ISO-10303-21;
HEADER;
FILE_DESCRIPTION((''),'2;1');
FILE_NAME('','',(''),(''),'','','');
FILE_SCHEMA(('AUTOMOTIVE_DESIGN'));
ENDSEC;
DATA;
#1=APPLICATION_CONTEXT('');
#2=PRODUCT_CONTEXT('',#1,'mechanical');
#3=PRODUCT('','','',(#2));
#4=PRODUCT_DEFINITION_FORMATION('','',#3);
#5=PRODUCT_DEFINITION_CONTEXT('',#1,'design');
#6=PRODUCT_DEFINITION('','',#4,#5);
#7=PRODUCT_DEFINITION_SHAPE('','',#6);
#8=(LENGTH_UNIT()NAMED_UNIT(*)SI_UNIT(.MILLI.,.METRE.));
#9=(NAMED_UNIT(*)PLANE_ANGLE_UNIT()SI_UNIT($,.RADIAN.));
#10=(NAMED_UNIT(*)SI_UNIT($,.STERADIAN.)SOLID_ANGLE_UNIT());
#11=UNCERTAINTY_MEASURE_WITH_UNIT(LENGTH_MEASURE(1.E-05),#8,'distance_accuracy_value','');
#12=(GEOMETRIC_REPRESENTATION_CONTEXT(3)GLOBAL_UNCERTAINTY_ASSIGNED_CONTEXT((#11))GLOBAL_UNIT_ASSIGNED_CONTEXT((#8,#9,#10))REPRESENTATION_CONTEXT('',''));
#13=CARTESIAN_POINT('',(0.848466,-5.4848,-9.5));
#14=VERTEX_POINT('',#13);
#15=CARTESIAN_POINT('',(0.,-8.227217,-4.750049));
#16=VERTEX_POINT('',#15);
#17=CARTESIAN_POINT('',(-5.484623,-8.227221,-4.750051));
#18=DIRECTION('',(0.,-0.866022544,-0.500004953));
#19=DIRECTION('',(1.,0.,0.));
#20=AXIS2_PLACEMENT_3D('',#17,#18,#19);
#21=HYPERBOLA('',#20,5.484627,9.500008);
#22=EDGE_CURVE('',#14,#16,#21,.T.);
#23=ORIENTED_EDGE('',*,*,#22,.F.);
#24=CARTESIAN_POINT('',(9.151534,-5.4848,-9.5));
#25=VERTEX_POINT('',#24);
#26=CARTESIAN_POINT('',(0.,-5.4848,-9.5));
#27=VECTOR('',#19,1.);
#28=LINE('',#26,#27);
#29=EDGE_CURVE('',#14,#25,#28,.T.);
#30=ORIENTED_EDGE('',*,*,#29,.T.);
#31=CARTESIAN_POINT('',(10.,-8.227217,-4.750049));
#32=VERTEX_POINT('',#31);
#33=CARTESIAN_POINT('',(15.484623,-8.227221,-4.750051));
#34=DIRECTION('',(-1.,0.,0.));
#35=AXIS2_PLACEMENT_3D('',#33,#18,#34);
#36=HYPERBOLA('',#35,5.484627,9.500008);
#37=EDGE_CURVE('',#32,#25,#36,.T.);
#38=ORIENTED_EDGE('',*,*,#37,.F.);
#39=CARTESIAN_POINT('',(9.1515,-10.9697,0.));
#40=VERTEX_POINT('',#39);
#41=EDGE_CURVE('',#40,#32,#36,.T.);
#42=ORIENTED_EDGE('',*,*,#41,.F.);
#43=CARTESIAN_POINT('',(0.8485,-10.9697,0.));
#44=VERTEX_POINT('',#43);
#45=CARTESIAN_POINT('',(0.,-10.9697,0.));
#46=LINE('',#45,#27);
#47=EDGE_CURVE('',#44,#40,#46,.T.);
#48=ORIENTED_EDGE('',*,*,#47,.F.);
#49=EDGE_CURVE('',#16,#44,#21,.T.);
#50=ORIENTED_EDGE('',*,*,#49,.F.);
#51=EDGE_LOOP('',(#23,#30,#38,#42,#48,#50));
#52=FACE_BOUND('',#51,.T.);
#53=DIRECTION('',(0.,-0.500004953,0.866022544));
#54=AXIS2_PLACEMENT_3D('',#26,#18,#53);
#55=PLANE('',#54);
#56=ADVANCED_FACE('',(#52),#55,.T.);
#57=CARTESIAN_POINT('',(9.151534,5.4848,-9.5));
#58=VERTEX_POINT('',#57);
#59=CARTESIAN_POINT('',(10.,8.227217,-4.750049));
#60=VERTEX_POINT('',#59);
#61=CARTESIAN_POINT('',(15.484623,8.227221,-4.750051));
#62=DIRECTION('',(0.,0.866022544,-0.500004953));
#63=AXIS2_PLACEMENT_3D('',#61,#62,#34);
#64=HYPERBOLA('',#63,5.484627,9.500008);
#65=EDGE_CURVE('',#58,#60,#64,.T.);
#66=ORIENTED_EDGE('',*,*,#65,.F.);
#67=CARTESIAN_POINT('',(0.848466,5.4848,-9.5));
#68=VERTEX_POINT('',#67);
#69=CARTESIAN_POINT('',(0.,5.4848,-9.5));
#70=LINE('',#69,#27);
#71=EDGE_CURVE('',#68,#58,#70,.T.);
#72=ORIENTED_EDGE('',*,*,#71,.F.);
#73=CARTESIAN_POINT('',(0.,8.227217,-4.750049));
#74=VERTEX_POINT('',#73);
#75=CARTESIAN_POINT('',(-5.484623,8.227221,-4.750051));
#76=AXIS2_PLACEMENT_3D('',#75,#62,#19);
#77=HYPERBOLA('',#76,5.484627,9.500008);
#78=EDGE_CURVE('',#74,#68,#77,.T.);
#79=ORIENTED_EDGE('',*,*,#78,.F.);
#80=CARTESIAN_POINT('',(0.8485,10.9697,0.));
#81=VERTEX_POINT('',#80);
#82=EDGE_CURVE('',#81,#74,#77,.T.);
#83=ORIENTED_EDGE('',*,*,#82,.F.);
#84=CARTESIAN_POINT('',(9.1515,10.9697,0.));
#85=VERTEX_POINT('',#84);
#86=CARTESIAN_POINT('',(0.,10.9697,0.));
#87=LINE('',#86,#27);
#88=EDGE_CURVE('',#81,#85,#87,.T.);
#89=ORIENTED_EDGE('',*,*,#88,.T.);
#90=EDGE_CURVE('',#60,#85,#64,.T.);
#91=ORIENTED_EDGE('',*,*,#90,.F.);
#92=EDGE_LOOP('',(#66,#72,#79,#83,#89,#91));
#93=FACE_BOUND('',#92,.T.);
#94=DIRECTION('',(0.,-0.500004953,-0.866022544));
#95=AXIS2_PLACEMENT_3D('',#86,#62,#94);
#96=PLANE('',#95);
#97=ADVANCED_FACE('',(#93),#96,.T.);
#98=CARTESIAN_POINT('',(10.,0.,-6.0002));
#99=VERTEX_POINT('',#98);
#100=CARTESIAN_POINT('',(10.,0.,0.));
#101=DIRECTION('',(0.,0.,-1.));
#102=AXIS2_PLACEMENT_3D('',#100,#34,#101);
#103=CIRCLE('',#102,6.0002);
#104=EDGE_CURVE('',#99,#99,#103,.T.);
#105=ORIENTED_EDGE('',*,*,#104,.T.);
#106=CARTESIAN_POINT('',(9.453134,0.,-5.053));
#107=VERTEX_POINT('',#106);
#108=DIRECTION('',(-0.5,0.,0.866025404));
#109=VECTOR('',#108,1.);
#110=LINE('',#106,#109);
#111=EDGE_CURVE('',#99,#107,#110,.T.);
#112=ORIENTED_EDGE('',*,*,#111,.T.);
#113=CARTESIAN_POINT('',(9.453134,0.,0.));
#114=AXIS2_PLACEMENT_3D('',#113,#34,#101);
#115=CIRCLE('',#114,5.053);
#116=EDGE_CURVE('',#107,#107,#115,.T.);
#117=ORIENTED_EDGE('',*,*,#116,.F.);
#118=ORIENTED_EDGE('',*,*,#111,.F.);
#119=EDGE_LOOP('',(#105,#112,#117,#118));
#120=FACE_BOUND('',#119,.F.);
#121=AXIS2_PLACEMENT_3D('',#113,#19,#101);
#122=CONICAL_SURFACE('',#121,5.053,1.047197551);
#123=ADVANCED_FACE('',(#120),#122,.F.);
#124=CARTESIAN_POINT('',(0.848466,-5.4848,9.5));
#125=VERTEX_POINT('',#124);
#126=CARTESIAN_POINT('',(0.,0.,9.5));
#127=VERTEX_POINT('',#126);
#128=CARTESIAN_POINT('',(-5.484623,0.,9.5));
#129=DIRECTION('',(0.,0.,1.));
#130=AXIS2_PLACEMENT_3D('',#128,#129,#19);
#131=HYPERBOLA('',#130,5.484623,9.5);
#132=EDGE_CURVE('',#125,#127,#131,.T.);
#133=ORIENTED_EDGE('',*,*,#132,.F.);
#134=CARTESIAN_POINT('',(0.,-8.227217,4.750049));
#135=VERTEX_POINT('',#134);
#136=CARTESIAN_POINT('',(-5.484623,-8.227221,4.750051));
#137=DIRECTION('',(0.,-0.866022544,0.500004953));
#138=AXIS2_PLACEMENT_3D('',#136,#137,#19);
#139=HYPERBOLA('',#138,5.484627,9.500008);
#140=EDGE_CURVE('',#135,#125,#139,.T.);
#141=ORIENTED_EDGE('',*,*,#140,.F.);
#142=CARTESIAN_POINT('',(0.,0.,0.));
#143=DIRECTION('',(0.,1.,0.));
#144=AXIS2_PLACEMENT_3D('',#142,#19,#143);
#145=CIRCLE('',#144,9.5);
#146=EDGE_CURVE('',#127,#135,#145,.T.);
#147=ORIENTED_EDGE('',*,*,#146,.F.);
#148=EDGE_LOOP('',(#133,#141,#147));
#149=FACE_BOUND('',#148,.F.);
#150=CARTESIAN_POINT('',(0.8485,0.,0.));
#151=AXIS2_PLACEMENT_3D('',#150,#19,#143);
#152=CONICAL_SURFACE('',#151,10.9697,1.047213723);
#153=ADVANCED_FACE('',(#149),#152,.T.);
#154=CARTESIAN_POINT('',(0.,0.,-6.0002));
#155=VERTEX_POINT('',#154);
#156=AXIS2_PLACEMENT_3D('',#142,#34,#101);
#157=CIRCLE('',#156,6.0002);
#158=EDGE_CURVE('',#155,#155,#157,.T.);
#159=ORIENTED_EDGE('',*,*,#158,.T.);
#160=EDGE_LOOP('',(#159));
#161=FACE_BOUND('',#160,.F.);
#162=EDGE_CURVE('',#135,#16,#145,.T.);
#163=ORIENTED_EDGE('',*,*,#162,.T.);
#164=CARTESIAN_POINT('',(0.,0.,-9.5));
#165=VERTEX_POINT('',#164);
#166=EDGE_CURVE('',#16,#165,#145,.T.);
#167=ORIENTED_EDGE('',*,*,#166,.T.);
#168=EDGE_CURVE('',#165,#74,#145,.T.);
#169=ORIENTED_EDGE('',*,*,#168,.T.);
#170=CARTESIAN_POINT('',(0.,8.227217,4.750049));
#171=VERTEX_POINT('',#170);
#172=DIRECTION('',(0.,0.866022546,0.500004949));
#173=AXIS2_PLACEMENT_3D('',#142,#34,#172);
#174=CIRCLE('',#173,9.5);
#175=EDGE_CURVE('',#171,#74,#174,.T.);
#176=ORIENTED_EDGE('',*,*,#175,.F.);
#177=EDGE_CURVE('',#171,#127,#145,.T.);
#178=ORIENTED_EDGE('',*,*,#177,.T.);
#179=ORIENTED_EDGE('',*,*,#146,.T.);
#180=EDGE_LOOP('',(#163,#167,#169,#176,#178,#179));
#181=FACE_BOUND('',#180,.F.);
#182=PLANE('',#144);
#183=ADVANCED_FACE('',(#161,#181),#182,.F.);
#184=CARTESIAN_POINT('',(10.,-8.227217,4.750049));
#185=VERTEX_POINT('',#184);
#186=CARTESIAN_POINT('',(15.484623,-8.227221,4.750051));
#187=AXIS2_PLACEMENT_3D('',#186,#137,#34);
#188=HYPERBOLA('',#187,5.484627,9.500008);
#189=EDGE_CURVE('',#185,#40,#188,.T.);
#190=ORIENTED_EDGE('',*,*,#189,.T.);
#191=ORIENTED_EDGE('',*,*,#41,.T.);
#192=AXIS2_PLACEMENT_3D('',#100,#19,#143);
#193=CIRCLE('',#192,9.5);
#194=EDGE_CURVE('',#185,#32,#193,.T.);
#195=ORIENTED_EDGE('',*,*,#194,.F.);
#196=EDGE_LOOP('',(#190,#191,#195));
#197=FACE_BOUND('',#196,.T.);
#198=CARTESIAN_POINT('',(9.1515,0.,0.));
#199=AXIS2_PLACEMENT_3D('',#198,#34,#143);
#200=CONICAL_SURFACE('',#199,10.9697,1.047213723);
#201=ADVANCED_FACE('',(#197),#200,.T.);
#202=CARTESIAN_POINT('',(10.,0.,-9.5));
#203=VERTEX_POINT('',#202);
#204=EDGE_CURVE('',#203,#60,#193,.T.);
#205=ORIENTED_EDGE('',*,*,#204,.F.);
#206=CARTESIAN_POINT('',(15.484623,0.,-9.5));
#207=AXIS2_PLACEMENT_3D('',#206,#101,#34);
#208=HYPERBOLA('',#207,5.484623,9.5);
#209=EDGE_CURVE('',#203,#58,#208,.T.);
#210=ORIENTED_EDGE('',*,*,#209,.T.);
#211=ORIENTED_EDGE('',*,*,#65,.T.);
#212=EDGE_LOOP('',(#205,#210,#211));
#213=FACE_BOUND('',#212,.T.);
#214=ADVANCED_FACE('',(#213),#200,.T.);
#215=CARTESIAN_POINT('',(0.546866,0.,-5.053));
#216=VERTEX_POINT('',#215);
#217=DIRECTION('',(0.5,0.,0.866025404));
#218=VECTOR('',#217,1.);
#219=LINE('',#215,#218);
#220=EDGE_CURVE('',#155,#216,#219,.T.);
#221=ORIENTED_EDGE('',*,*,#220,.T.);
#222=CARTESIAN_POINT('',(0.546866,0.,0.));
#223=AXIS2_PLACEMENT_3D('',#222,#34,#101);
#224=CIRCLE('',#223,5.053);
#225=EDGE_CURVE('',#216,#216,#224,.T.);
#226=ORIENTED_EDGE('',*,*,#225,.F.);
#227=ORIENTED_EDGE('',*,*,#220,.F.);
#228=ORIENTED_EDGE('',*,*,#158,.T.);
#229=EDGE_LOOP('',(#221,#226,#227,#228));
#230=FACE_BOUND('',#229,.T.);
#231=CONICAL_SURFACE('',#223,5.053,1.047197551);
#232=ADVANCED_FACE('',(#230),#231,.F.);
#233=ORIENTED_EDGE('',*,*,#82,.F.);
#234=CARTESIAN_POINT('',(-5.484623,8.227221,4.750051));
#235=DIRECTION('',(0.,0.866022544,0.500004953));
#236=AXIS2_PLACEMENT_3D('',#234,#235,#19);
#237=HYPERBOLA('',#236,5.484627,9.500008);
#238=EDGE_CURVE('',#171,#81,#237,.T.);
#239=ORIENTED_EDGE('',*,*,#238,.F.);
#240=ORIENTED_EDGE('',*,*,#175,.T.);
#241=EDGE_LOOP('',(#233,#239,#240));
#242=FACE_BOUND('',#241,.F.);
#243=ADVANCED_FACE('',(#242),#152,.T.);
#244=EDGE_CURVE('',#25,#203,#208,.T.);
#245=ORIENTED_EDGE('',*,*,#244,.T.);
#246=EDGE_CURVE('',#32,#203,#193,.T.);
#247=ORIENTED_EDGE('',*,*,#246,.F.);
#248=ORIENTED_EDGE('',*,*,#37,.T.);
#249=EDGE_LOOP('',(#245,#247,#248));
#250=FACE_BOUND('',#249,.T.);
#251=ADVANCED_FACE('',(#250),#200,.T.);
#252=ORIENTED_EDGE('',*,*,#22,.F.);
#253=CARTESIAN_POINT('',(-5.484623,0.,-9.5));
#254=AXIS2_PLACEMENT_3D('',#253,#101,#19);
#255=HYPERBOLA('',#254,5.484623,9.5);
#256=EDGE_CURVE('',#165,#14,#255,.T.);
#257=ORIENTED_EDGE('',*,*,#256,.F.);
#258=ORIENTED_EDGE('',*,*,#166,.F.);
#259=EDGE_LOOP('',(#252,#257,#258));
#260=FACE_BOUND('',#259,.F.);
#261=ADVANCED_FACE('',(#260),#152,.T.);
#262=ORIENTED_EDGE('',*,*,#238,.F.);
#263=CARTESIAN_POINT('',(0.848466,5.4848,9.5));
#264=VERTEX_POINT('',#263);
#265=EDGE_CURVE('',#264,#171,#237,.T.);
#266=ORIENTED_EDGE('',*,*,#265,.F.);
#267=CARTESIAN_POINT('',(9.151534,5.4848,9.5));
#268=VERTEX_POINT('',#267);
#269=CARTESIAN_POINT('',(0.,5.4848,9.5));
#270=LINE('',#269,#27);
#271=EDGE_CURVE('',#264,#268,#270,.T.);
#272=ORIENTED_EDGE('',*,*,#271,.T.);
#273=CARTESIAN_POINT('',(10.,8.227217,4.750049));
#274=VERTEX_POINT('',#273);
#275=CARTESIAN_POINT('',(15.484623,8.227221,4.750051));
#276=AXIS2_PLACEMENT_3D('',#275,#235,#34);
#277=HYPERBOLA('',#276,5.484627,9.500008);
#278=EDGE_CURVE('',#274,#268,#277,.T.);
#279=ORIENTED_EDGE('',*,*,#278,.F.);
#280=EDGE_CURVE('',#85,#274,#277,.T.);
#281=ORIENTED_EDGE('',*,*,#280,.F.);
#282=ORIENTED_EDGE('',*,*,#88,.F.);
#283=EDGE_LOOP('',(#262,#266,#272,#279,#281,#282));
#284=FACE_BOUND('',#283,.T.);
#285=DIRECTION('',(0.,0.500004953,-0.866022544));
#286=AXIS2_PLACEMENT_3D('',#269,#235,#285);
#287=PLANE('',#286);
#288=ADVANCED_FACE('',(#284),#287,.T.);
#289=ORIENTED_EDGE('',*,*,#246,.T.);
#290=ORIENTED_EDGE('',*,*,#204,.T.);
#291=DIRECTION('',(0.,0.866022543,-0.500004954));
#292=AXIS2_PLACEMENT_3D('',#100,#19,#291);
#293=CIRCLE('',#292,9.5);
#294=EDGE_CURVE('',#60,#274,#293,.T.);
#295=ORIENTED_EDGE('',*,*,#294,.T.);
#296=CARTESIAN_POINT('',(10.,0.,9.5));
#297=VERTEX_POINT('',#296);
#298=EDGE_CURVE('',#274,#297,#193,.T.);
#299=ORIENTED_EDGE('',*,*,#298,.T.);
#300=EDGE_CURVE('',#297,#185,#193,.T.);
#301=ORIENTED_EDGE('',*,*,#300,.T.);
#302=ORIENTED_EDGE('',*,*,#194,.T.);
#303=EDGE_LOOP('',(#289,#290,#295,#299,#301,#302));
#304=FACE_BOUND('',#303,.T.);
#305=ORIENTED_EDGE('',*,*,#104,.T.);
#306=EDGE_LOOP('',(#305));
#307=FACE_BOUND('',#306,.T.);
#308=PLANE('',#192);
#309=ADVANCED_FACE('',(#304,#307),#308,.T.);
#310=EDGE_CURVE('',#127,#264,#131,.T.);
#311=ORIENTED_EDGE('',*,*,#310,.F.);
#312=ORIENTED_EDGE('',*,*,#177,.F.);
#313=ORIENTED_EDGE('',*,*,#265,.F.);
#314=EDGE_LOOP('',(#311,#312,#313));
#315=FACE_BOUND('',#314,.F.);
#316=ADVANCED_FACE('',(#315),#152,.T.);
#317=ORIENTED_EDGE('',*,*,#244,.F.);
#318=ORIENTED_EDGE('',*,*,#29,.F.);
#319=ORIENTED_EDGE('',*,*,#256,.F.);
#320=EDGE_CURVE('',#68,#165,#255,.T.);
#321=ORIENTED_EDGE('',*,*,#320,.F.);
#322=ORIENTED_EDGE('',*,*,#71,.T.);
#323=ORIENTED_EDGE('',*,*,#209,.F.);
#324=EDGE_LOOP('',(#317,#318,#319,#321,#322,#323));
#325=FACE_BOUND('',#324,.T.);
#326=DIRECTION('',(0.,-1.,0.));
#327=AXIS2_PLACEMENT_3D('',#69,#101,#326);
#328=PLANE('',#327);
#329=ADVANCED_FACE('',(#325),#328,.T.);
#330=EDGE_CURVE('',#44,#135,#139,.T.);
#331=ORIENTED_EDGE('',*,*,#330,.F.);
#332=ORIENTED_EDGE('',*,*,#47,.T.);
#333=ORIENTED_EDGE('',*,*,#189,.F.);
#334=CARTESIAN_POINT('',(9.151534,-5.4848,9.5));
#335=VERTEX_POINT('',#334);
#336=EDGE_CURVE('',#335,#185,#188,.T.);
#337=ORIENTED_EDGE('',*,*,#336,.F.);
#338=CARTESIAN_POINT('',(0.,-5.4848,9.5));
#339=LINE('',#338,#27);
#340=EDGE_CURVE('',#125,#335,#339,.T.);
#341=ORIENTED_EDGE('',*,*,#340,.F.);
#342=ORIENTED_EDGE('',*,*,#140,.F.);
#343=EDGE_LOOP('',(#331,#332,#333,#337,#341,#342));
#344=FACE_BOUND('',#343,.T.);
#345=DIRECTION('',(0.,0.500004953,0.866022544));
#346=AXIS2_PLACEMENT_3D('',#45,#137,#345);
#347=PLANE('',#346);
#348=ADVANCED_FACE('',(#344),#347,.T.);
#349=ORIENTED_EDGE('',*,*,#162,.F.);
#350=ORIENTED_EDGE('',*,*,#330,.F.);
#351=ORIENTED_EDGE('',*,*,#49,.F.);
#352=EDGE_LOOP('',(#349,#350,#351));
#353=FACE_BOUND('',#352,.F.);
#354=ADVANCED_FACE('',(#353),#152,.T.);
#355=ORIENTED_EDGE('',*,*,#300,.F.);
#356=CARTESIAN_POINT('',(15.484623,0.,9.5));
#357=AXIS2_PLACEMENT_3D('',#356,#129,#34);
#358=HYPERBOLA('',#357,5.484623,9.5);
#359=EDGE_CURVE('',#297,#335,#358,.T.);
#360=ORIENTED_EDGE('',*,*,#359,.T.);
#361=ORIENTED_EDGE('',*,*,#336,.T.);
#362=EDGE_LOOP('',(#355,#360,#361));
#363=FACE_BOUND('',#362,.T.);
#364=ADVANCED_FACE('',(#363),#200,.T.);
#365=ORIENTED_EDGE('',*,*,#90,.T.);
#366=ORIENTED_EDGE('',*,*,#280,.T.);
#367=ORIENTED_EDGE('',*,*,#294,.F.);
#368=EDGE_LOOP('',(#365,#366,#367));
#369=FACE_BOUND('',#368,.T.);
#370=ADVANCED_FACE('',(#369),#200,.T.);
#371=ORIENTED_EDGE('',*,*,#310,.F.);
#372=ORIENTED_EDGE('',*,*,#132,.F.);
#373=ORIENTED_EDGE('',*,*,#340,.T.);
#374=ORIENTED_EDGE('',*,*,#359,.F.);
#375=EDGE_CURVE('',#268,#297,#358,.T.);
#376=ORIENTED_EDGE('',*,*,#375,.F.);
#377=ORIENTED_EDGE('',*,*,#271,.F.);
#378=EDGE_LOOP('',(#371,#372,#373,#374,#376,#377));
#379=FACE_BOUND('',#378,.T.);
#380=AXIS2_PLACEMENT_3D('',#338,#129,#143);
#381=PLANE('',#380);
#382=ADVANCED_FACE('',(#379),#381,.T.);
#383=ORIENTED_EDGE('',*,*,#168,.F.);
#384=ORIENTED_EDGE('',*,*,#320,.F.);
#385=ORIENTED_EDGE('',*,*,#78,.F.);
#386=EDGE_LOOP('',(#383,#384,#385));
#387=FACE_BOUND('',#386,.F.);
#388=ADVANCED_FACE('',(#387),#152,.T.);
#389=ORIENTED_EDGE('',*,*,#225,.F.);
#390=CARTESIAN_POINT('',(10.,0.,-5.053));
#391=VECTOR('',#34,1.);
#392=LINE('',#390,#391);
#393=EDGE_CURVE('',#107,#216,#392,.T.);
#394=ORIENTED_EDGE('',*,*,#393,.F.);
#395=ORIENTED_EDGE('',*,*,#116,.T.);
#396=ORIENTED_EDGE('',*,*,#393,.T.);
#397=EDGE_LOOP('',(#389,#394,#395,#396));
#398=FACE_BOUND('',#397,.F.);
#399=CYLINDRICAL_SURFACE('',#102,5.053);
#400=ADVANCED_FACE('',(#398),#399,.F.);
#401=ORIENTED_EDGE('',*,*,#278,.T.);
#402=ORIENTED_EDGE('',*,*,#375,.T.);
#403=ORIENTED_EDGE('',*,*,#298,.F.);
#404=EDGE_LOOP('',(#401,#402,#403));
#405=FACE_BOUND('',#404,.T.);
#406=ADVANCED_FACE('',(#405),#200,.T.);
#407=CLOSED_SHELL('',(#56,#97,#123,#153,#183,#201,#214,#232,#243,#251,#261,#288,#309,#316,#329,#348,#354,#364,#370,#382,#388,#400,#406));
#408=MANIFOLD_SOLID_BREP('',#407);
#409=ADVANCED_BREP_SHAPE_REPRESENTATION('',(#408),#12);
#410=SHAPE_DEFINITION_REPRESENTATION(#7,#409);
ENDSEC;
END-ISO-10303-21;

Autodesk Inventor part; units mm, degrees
ref_plane "YZ Plane" through (0, 0, 0) normal (1, 0, 0) x (0, 1, 0)
ref_plane "XZ Plane" through (0, 0, 0) normal (0, 1, 0) x (-1, 0, 0)
sketch "Эскиз1" plane through (0, 0, 0) normal (1, 0, 0) x (0, 1, 0)
  line L0 (-10.9697, 0) -> (-5.4848, 9.5)
  line L1 (-5.4848, 9.5) -> (5.4848, 9.5)
  line L2 (5.4848, 9.5) -> (10.9697, 0)
  line L3 (10.9697, 0) -> (5.4848, -9.5)
  line L4 (5.4848, -9.5) -> (-5.4848, -9.5)
  line L5 (-5.4848, -9.5) -> (-10.9697, 0)
  point P0 (0, 0)
  point P1 (0, 0)
  dimension "d0" = 21.9393
extrude "Базовый элемент" add sketch "Эскиз1" along normal blind 10
sketch "Эскиз2" plane through (0, 0, 0) normal (0, 0, 1) x (1, 0, 0)
  line L0 (0, 5.4848) -> (0, 10.9697) projected
  line L1 (0, 10.9697) -> (10, 10.9697) projected
  line L2 (10, 5.4848) -> (10, 10.9697) projected
  line L3 (-2, 0) -> (12, 0) projected
  line L4 (0.8485, 10.9697) -> (0, 9.5)
  line L5 (9.1515, 10.9697) -> (10, 9.5)
  dimension "d3" = 30
  dimension "d4" = 30
  dimension "d5" = 19
  dimension "d6" = 19
revolve "Фаска1" cut sketch "Эскиз2" angle 360 about axis through (-10, 0, 0) along (1, 0, 0)
sketch "Эскиз3" plane through (10, 0, 0) normal (1, 0, 0) x (0, 0, -1)
  arc A0 (-4.75, -8.2272) -> (4.75, -8.2272) centre (0, 0) ccw projected
hole "Резьба" at (10, 0, 0) direction (-1, 0, 0) diameter 10.106 end through all thread size "M12x1.75" class "6H" standard "ISO Metric profile"
chamfer "Фаска2" distance 0.9472 angle 30 1 edges at (10, 0, 5.053) measured on face at (10, -7.9707, -0.203)
chamfer "Фаска3" distance 0.9472 angle 30 1 edges at (0, 0, 5.053) measured on face at (0, -7.9707, -0.203)
ref_plane "Work Plane1" through (-20.6974, 0, 0) normal (0, -0.866, -0.5) x (1, 0, 0)
equation "\"d0\" = 1.1547 * SW"
equation "\"d1\" = KOH"
equation "\"d3\" = ANG1"
equation "\"d4\" = ANG2"
equation "\"d5\" = SW0"
equation "\"d6\" = SW01"
equation "\"d8\" = -0.5 * GD1 + 0.5 * NND"
equation "\"d40\" = -0.5 * GD1 + 0.5 * NND"
equation "\"d10\" = -0.5 * GD1 + 0.5 * NND"
equation "\"d41\" = -0.5 * GD1 + 0.5 * NND"
equation "\"ANG1\" = 30deg"
equation "\"ANG2\" = 30deg"
equation "\"NND\" = 12"
equation "\"KOH\" = 10"
equation "\"SW\" = 19"
equation "\"SW0\" = 19"
equation "\"SW01\" = SW0"
equation "\"GUL\" = 0.541266 * PTC"
equation "\"LADI\" = 18.05"
equation "\"TOA\" = 30deg"
equation "\"FAWI\" = 30deg"
equation "\"PTC\" = 1.75"
equation "\"THREADDIA\" = 12"
equation "\"E0\" = 1.155 * SW"
equation "\"GAL\" = 0.541266 * PTC"
equation "\"GD1\" = 10.105569"
properties part number "Гайка M12-6H ГОСТ 5927-70" material "Сталь, мягкая"
